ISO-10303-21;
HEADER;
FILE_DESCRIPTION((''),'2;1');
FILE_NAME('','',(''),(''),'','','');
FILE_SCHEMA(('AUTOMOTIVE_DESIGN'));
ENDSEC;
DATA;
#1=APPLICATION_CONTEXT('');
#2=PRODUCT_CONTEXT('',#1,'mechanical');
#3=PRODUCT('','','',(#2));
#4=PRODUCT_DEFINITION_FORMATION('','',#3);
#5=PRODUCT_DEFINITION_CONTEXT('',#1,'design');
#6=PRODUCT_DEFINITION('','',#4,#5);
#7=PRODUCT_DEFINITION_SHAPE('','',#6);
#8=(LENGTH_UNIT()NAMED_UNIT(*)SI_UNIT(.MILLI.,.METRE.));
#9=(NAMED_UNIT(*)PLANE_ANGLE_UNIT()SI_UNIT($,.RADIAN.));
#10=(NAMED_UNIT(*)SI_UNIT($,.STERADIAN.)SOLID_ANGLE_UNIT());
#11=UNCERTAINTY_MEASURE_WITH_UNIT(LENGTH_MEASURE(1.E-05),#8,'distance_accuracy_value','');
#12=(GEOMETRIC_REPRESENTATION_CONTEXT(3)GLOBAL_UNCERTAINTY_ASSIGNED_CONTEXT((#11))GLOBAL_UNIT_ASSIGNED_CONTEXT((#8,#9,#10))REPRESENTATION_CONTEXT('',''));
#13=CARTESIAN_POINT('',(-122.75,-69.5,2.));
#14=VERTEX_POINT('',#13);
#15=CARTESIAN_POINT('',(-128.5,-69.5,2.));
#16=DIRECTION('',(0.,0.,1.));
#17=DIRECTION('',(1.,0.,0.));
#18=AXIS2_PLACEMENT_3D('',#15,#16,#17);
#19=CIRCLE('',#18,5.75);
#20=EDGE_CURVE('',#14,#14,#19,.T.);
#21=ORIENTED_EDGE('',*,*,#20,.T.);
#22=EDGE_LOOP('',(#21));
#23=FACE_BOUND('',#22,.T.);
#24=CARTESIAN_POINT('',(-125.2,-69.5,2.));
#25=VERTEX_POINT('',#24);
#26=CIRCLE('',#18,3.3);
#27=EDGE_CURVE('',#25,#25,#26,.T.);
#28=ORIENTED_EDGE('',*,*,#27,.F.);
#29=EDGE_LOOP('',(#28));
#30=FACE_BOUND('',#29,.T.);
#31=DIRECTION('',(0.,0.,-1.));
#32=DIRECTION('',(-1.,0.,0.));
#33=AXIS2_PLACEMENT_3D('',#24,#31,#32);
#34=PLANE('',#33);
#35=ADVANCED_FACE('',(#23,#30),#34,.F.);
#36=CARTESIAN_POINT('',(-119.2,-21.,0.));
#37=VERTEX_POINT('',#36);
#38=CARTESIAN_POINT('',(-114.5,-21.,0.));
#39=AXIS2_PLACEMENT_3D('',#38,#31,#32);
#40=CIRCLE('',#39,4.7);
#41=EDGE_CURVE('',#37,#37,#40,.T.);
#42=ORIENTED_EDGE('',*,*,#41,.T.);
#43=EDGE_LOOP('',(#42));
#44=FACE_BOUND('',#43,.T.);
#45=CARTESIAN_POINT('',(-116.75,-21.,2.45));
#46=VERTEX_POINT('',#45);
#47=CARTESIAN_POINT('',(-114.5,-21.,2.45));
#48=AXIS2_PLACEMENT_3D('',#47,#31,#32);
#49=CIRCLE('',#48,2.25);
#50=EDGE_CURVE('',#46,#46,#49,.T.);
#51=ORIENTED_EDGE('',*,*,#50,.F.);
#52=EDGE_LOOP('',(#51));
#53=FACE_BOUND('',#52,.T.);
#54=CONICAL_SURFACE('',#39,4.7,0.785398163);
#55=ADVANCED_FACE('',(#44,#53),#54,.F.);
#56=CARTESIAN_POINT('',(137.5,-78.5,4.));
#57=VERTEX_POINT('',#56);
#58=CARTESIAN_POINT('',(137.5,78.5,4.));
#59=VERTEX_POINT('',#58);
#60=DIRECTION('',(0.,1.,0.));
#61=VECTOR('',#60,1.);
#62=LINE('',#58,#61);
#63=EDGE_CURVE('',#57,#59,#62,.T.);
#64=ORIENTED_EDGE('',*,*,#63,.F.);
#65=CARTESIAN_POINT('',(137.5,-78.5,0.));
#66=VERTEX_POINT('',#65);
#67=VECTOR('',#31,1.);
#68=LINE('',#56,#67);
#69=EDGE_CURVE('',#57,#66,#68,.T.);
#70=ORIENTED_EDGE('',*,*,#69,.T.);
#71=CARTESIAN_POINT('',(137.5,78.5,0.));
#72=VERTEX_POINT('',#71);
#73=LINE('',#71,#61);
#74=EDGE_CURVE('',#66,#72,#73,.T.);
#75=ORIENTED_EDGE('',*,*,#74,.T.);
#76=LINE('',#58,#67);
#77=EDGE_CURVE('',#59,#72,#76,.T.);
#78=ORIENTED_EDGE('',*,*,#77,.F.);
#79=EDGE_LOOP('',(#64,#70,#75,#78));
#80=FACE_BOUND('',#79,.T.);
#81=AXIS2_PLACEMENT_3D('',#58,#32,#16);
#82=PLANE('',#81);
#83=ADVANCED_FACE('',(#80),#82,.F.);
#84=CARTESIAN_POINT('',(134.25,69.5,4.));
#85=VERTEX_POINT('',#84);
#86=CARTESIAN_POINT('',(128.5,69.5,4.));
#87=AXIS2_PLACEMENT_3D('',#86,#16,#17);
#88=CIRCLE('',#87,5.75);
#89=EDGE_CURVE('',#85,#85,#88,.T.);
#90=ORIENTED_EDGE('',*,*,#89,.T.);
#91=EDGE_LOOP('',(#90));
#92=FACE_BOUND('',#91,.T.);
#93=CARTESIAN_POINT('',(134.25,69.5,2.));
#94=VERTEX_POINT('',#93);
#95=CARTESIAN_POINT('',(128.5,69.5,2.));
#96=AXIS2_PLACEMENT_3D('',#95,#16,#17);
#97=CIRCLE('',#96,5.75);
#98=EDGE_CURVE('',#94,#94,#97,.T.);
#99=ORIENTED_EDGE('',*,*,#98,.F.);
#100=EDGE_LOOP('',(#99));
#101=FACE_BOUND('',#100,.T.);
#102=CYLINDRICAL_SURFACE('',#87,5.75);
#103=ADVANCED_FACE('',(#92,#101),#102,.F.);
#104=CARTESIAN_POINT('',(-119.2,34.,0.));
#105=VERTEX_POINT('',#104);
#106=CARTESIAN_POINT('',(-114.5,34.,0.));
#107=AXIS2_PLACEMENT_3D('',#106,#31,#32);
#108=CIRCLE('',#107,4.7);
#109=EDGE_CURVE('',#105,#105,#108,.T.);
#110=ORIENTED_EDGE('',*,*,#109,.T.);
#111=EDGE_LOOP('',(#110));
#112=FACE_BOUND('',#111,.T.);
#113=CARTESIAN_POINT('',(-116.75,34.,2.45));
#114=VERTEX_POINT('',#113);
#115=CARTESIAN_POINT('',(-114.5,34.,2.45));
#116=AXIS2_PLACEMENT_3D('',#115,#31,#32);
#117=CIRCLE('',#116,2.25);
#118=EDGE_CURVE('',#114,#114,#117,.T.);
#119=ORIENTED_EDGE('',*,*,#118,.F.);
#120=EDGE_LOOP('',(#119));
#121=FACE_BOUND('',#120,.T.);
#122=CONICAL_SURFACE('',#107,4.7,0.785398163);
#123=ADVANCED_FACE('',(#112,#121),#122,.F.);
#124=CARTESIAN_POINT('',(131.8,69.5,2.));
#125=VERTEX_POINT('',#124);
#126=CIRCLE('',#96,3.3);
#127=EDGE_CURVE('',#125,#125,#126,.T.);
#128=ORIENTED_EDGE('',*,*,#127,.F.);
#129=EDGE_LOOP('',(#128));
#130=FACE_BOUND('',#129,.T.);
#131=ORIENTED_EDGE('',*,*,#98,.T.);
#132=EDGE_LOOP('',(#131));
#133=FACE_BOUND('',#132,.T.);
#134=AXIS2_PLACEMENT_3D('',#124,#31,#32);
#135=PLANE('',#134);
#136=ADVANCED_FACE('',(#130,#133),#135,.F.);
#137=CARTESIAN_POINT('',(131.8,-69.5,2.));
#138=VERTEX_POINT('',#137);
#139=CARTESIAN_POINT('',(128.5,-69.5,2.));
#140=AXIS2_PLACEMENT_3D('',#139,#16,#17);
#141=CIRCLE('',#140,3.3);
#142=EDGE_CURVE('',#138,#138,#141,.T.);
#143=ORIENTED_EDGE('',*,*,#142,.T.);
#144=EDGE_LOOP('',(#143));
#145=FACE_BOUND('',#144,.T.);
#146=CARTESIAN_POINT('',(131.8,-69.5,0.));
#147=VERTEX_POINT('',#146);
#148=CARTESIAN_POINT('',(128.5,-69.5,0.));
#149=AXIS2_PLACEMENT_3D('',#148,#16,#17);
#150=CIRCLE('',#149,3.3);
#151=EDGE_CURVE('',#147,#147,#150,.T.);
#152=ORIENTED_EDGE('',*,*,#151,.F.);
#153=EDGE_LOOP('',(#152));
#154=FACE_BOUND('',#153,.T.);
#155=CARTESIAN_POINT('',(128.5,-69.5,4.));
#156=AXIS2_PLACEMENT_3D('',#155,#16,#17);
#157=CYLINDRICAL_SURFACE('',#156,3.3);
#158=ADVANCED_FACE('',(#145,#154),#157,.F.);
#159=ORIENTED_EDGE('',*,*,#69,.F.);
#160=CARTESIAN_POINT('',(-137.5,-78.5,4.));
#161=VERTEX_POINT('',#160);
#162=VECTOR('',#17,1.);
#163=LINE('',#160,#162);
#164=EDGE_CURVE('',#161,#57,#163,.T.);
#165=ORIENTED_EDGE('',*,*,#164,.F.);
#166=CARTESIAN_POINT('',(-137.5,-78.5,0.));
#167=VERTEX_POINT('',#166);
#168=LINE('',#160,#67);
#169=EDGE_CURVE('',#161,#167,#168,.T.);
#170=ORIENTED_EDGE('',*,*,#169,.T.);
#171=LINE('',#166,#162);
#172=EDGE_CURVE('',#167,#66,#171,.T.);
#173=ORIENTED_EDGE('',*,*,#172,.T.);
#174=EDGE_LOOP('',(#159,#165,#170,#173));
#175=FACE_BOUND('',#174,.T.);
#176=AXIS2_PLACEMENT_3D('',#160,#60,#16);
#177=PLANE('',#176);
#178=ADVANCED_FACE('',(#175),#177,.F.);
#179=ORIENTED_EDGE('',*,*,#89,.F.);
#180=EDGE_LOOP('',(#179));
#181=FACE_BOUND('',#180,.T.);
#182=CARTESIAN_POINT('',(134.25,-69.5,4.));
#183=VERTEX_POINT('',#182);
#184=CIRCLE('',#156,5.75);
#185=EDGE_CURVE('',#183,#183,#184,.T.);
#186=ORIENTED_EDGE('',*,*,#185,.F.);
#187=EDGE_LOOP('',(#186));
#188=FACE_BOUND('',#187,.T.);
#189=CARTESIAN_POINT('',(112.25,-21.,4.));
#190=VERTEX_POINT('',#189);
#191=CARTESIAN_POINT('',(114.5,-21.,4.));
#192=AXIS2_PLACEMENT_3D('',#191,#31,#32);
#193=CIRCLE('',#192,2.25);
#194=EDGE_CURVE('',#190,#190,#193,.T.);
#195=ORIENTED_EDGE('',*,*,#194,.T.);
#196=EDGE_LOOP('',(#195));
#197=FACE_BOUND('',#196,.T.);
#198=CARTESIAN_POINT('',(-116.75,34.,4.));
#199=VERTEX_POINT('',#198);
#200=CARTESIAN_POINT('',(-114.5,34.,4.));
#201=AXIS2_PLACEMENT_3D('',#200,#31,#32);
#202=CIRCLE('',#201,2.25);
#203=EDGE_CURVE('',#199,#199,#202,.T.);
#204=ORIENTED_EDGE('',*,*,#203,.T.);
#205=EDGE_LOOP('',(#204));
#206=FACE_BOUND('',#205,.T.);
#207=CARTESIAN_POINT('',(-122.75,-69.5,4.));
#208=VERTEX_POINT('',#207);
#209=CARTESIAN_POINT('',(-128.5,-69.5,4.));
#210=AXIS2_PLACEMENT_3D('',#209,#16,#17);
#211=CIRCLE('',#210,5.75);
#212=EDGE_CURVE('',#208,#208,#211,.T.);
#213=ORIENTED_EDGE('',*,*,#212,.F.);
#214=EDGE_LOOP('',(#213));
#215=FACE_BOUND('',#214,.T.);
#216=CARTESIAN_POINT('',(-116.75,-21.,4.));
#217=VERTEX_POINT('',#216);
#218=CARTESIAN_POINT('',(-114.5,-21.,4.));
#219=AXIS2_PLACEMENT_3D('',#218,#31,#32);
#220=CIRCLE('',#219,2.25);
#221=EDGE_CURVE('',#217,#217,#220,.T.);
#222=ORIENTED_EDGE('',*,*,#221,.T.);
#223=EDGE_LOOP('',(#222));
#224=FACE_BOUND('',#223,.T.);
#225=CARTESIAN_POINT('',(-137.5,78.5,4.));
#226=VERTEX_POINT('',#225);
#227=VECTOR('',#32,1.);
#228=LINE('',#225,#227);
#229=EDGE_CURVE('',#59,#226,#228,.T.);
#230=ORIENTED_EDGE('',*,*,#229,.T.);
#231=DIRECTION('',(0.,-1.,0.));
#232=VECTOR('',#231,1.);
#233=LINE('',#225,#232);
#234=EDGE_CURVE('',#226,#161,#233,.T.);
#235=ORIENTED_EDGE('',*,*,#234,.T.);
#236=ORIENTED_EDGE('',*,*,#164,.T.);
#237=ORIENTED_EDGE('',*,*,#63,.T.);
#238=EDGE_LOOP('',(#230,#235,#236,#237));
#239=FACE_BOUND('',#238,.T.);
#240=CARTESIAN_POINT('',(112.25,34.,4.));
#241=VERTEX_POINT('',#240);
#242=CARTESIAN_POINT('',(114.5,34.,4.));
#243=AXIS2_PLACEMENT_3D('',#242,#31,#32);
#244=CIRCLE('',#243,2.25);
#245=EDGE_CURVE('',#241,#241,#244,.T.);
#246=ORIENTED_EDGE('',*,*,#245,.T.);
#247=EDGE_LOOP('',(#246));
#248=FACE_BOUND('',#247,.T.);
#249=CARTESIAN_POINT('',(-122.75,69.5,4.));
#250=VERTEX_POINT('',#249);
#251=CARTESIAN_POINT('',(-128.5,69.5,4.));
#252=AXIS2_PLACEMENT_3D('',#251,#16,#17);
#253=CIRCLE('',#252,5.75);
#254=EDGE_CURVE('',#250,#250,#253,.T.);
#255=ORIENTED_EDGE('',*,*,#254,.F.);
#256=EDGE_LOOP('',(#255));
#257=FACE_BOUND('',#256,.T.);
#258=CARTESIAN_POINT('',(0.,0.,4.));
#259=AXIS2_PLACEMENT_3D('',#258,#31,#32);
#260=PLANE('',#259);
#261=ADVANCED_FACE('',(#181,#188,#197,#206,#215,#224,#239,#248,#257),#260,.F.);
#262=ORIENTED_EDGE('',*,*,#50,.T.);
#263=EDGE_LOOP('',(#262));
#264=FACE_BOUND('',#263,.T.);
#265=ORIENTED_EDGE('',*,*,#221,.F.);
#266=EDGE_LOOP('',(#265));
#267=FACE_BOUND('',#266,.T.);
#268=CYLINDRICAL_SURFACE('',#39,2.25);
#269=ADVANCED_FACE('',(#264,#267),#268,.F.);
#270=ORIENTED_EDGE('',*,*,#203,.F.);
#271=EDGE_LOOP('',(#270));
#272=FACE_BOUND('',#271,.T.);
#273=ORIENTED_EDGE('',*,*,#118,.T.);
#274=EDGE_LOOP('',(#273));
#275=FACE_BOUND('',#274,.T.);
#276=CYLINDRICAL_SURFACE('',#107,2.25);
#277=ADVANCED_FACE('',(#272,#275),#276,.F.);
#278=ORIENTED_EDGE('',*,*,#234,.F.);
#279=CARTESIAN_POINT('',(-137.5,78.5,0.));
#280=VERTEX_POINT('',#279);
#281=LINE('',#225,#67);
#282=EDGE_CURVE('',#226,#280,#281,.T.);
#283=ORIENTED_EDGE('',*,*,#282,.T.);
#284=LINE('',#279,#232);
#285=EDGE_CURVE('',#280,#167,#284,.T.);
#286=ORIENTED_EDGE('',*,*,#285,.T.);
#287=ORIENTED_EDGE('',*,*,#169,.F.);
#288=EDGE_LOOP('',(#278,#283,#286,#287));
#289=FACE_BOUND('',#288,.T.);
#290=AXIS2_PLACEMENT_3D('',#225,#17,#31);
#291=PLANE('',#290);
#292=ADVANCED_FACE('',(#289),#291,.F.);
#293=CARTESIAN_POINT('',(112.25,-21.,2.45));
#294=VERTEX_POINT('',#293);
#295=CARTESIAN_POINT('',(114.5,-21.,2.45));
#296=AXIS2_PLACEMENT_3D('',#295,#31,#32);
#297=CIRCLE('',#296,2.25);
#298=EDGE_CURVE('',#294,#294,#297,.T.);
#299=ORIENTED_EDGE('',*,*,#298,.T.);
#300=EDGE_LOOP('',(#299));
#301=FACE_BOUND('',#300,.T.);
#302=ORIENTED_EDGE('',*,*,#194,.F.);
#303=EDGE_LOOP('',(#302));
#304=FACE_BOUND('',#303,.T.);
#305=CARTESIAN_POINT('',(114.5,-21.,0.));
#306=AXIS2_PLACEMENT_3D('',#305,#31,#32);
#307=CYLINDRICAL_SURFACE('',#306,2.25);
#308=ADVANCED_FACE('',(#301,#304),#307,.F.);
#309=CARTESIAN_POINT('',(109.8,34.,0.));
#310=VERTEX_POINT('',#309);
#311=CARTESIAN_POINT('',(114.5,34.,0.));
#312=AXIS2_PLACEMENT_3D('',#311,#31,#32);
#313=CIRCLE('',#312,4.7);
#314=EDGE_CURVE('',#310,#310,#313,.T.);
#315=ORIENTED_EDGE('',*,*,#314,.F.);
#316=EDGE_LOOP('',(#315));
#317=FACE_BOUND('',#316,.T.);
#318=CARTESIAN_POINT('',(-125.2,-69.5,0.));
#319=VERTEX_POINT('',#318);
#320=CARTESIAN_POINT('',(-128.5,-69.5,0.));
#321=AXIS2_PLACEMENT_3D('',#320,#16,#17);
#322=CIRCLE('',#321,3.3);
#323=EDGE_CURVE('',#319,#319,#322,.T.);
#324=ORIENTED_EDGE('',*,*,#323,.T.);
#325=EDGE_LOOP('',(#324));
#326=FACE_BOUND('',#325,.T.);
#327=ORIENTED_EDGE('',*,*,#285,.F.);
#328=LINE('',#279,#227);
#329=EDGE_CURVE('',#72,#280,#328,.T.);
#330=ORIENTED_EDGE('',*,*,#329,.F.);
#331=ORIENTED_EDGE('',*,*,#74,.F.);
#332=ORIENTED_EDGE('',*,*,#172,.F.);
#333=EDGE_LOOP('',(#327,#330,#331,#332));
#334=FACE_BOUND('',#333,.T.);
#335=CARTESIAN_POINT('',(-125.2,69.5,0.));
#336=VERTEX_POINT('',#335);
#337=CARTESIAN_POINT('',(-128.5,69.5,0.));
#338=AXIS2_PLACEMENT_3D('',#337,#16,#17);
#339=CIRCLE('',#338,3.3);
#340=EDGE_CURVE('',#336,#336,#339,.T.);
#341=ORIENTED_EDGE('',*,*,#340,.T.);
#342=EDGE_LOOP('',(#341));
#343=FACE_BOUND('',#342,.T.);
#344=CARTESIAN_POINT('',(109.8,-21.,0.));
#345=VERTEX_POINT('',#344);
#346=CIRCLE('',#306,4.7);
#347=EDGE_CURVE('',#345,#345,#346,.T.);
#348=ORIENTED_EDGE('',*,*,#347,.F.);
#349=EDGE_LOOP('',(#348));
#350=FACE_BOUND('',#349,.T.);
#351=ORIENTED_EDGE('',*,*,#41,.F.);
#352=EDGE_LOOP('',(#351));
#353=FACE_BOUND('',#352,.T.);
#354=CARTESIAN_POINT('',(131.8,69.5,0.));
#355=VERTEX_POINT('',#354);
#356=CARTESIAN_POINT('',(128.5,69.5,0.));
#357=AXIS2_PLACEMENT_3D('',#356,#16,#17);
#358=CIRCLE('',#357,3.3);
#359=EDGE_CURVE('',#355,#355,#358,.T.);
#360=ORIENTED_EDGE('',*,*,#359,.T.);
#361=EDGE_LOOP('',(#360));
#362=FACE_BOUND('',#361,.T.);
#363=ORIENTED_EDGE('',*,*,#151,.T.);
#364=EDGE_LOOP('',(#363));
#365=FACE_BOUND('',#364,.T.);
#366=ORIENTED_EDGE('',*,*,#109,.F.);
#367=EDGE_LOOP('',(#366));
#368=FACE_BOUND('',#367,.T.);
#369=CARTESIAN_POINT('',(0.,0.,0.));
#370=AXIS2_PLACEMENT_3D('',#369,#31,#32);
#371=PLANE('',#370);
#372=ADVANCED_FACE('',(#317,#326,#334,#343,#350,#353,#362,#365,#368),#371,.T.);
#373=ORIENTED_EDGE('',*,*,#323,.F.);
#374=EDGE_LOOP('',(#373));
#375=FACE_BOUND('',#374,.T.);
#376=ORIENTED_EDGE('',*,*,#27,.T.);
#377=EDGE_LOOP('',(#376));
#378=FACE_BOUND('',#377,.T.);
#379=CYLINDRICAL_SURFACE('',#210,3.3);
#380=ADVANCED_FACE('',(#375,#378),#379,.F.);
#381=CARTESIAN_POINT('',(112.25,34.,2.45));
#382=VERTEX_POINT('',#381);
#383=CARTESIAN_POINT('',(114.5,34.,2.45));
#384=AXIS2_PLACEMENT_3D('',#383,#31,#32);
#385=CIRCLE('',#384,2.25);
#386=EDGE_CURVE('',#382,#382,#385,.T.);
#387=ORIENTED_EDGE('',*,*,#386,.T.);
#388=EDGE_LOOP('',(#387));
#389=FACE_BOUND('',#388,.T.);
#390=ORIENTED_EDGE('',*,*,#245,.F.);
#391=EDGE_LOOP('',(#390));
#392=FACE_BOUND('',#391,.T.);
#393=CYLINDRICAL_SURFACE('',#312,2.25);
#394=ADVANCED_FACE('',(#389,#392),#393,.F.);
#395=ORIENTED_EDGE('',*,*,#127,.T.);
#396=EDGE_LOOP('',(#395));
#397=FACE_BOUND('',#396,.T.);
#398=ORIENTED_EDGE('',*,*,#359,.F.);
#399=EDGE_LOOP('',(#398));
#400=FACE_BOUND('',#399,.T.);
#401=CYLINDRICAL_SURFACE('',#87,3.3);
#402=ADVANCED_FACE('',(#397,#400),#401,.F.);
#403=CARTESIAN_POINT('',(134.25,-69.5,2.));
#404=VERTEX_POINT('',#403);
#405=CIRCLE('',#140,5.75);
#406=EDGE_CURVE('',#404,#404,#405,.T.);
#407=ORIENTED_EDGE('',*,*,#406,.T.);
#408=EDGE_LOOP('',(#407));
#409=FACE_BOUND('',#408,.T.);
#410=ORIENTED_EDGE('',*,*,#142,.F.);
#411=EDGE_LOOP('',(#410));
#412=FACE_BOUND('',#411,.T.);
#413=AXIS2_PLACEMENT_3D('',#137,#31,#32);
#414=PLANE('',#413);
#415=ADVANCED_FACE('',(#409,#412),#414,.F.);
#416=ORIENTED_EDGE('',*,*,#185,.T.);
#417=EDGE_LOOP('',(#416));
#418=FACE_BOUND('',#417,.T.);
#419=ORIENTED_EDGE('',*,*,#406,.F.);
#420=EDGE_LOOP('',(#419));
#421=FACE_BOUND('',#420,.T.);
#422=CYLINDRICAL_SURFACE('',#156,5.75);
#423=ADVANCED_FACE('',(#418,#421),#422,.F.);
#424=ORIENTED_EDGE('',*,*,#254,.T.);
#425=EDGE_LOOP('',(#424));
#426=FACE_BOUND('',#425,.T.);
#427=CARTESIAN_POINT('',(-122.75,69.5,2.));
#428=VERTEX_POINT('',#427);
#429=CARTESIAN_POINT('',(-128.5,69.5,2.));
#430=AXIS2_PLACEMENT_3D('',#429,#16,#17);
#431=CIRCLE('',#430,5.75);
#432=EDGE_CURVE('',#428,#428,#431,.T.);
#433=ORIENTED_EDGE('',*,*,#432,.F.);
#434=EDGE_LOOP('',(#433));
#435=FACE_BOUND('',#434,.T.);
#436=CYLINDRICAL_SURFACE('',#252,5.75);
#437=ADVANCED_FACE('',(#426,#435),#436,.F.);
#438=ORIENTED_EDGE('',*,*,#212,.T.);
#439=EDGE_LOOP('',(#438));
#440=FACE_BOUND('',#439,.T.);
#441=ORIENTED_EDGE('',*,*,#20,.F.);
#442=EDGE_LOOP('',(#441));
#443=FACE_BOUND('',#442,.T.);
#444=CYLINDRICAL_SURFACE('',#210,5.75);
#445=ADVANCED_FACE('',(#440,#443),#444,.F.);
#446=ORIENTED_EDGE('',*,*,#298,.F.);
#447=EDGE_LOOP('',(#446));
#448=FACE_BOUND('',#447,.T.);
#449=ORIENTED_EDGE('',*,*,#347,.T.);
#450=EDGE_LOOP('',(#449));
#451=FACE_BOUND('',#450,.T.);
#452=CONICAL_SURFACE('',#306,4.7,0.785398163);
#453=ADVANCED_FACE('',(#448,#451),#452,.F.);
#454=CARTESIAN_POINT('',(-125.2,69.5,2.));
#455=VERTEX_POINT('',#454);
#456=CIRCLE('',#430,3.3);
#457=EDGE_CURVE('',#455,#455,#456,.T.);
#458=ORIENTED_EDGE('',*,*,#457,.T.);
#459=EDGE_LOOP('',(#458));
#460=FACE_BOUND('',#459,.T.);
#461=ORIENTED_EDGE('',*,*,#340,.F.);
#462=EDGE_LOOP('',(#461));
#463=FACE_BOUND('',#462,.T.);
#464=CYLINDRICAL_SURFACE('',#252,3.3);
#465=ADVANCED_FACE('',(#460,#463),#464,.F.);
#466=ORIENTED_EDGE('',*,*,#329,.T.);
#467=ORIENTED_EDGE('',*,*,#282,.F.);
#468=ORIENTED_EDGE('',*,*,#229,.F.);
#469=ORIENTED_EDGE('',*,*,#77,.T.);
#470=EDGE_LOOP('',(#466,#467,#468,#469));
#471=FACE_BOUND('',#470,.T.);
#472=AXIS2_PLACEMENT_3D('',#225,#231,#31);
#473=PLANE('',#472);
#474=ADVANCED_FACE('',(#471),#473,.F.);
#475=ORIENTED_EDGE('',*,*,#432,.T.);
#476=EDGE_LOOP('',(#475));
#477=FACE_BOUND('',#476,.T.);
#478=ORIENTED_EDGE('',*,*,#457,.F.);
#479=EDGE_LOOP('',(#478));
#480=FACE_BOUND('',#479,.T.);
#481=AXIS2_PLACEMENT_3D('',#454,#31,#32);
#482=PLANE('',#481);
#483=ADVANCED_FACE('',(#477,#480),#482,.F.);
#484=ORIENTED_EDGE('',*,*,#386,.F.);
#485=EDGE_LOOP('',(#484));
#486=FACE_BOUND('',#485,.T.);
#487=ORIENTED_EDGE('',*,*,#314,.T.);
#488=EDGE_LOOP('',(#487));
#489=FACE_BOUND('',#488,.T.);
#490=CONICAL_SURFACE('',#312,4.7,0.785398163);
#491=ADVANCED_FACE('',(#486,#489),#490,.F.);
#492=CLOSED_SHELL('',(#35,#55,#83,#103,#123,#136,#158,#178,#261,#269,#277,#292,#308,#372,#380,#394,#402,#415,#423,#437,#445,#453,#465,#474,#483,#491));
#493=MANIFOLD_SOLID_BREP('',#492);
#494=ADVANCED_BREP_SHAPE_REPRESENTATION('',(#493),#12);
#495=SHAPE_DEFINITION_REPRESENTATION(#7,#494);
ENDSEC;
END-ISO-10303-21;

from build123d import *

# Parameters (mm, degrees)
ESQUISSE4_W                                      = 275
ESQUISSE4_H                                      = 157
BOSS_EXTRU_2_DEPTH                               = 4
FRAISAGE_POUR_VIS_T_TE_FRAIS_E_M42_AT_COUNT      = 2
FRAISAGE_POUR_VIS_T_TE_FRAIS_E_M42_AT_PITCH      = 235.512207752
FRAISAGE_POUR_VIS_T_TE_FRAIS_E_M42_2_COUNT       = 2
FRAISAGE_POUR_VIS_T_TE_FRAIS_E_M42_2_PITCH       = 229
FRAISAGE_POUR_VIS_T_TE_FRAIS_E_M42_3_COUNT       = 2
FRAISAGE_POUR_VIS_T_TE_FRAIS_E_M42_3_PITCH       = 55
CHAMBRAGE_POUR_VIS_T_TE_RONDE_6_PANS_D           = 6.6
CHAMBRAGE_POUR_VIS_T_TE_RONDE_6_PANS_CBORE_D     = 11.5
CHAMBRAGE_POUR_VIS_T_TE_RONDE_6_PANS_CBORE_DEPTH = 2


with BuildPart() as part:
    # Esquisse4 → Boss.-Extru.2 (new body)
    with BuildSketch(Plane.XY):
        Rectangle(ESQUISSE4_W, ESQUISSE4_H)
    extrude(amount=BOSS_EXTRU_2_DEPTH)

    # Esquisse6 → Fraisage pour vis à tête fraisée M42 (revolve, cut)
    with BuildSketch(Plane(origin=(-114.5, -21, 0), x_dir=(0, 1, 0), z_dir=(1, 0, 0))):
        Polygon((0, 0), (0, 4), (2.25, 4), (2.25, 2.45), (4.7, 0), align=None)
    fraisage_pour_vis_t_te_frais_e_m42 = revolve(axis=Axis((-114.5, -21, -6.35), (0, 0, 1)), mode=Mode.SUBTRACT)

    # Fraisage pour vis à tête fraisée M42 at: Fraisage pour vis à tête fraisée M42 ×2
    with Locations(*[Vector(0.972348747, 0.233533542, 0) * (i * FRAISAGE_POUR_VIS_T_TE_FRAIS_E_M42_AT_PITCH) for i in range(1, FRAISAGE_POUR_VIS_T_TE_FRAIS_E_M42_AT_COUNT)]):
        add(fraisage_pour_vis_t_te_frais_e_m42, mode=Mode.SUBTRACT)

    # Fraisage pour vis _ t_te frais_e M42 2: Fraisage pour vis à tête fraisée M42 ×2
    with Locations(*[(i * FRAISAGE_POUR_VIS_T_TE_FRAIS_E_M42_2_PITCH, 0, 0) for i in range(1, FRAISAGE_POUR_VIS_T_TE_FRAIS_E_M42_2_COUNT)]):
        add(fraisage_pour_vis_t_te_frais_e_m42, mode=Mode.SUBTRACT)

    # Fraisage pour vis _ t_te frais_e M42 3: Fraisage pour vis à tête fraisée M42 ×2
    with Locations(*[(0, i * FRAISAGE_POUR_VIS_T_TE_FRAIS_E_M42_3_PITCH, 0) for i in range(1, FRAISAGE_POUR_VIS_T_TE_FRAIS_E_M42_3_COUNT)]):
        add(fraisage_pour_vis_t_te_frais_e_m42, mode=Mode.SUBTRACT)

    # Chambrage pour Vis à tête ronde à 6 pans creux M61 (through all)
    with Locations(Plane.XY.offset(4)):
        with Locations((128.5, -69.5), (-128.5, -69.5), (-128.5, 69.5), (128.5, 69.5)):
            CounterBoreHole(CHAMBRAGE_POUR_VIS_T_TE_RONDE_6_PANS_D / 2, CHAMBRAGE_POUR_VIS_T_TE_RONDE_6_PANS_CBORE_D / 2, CHAMBRAGE_POUR_VIS_T_TE_RONDE_6_PANS_CBORE_DEPTH)


solid = part.part
